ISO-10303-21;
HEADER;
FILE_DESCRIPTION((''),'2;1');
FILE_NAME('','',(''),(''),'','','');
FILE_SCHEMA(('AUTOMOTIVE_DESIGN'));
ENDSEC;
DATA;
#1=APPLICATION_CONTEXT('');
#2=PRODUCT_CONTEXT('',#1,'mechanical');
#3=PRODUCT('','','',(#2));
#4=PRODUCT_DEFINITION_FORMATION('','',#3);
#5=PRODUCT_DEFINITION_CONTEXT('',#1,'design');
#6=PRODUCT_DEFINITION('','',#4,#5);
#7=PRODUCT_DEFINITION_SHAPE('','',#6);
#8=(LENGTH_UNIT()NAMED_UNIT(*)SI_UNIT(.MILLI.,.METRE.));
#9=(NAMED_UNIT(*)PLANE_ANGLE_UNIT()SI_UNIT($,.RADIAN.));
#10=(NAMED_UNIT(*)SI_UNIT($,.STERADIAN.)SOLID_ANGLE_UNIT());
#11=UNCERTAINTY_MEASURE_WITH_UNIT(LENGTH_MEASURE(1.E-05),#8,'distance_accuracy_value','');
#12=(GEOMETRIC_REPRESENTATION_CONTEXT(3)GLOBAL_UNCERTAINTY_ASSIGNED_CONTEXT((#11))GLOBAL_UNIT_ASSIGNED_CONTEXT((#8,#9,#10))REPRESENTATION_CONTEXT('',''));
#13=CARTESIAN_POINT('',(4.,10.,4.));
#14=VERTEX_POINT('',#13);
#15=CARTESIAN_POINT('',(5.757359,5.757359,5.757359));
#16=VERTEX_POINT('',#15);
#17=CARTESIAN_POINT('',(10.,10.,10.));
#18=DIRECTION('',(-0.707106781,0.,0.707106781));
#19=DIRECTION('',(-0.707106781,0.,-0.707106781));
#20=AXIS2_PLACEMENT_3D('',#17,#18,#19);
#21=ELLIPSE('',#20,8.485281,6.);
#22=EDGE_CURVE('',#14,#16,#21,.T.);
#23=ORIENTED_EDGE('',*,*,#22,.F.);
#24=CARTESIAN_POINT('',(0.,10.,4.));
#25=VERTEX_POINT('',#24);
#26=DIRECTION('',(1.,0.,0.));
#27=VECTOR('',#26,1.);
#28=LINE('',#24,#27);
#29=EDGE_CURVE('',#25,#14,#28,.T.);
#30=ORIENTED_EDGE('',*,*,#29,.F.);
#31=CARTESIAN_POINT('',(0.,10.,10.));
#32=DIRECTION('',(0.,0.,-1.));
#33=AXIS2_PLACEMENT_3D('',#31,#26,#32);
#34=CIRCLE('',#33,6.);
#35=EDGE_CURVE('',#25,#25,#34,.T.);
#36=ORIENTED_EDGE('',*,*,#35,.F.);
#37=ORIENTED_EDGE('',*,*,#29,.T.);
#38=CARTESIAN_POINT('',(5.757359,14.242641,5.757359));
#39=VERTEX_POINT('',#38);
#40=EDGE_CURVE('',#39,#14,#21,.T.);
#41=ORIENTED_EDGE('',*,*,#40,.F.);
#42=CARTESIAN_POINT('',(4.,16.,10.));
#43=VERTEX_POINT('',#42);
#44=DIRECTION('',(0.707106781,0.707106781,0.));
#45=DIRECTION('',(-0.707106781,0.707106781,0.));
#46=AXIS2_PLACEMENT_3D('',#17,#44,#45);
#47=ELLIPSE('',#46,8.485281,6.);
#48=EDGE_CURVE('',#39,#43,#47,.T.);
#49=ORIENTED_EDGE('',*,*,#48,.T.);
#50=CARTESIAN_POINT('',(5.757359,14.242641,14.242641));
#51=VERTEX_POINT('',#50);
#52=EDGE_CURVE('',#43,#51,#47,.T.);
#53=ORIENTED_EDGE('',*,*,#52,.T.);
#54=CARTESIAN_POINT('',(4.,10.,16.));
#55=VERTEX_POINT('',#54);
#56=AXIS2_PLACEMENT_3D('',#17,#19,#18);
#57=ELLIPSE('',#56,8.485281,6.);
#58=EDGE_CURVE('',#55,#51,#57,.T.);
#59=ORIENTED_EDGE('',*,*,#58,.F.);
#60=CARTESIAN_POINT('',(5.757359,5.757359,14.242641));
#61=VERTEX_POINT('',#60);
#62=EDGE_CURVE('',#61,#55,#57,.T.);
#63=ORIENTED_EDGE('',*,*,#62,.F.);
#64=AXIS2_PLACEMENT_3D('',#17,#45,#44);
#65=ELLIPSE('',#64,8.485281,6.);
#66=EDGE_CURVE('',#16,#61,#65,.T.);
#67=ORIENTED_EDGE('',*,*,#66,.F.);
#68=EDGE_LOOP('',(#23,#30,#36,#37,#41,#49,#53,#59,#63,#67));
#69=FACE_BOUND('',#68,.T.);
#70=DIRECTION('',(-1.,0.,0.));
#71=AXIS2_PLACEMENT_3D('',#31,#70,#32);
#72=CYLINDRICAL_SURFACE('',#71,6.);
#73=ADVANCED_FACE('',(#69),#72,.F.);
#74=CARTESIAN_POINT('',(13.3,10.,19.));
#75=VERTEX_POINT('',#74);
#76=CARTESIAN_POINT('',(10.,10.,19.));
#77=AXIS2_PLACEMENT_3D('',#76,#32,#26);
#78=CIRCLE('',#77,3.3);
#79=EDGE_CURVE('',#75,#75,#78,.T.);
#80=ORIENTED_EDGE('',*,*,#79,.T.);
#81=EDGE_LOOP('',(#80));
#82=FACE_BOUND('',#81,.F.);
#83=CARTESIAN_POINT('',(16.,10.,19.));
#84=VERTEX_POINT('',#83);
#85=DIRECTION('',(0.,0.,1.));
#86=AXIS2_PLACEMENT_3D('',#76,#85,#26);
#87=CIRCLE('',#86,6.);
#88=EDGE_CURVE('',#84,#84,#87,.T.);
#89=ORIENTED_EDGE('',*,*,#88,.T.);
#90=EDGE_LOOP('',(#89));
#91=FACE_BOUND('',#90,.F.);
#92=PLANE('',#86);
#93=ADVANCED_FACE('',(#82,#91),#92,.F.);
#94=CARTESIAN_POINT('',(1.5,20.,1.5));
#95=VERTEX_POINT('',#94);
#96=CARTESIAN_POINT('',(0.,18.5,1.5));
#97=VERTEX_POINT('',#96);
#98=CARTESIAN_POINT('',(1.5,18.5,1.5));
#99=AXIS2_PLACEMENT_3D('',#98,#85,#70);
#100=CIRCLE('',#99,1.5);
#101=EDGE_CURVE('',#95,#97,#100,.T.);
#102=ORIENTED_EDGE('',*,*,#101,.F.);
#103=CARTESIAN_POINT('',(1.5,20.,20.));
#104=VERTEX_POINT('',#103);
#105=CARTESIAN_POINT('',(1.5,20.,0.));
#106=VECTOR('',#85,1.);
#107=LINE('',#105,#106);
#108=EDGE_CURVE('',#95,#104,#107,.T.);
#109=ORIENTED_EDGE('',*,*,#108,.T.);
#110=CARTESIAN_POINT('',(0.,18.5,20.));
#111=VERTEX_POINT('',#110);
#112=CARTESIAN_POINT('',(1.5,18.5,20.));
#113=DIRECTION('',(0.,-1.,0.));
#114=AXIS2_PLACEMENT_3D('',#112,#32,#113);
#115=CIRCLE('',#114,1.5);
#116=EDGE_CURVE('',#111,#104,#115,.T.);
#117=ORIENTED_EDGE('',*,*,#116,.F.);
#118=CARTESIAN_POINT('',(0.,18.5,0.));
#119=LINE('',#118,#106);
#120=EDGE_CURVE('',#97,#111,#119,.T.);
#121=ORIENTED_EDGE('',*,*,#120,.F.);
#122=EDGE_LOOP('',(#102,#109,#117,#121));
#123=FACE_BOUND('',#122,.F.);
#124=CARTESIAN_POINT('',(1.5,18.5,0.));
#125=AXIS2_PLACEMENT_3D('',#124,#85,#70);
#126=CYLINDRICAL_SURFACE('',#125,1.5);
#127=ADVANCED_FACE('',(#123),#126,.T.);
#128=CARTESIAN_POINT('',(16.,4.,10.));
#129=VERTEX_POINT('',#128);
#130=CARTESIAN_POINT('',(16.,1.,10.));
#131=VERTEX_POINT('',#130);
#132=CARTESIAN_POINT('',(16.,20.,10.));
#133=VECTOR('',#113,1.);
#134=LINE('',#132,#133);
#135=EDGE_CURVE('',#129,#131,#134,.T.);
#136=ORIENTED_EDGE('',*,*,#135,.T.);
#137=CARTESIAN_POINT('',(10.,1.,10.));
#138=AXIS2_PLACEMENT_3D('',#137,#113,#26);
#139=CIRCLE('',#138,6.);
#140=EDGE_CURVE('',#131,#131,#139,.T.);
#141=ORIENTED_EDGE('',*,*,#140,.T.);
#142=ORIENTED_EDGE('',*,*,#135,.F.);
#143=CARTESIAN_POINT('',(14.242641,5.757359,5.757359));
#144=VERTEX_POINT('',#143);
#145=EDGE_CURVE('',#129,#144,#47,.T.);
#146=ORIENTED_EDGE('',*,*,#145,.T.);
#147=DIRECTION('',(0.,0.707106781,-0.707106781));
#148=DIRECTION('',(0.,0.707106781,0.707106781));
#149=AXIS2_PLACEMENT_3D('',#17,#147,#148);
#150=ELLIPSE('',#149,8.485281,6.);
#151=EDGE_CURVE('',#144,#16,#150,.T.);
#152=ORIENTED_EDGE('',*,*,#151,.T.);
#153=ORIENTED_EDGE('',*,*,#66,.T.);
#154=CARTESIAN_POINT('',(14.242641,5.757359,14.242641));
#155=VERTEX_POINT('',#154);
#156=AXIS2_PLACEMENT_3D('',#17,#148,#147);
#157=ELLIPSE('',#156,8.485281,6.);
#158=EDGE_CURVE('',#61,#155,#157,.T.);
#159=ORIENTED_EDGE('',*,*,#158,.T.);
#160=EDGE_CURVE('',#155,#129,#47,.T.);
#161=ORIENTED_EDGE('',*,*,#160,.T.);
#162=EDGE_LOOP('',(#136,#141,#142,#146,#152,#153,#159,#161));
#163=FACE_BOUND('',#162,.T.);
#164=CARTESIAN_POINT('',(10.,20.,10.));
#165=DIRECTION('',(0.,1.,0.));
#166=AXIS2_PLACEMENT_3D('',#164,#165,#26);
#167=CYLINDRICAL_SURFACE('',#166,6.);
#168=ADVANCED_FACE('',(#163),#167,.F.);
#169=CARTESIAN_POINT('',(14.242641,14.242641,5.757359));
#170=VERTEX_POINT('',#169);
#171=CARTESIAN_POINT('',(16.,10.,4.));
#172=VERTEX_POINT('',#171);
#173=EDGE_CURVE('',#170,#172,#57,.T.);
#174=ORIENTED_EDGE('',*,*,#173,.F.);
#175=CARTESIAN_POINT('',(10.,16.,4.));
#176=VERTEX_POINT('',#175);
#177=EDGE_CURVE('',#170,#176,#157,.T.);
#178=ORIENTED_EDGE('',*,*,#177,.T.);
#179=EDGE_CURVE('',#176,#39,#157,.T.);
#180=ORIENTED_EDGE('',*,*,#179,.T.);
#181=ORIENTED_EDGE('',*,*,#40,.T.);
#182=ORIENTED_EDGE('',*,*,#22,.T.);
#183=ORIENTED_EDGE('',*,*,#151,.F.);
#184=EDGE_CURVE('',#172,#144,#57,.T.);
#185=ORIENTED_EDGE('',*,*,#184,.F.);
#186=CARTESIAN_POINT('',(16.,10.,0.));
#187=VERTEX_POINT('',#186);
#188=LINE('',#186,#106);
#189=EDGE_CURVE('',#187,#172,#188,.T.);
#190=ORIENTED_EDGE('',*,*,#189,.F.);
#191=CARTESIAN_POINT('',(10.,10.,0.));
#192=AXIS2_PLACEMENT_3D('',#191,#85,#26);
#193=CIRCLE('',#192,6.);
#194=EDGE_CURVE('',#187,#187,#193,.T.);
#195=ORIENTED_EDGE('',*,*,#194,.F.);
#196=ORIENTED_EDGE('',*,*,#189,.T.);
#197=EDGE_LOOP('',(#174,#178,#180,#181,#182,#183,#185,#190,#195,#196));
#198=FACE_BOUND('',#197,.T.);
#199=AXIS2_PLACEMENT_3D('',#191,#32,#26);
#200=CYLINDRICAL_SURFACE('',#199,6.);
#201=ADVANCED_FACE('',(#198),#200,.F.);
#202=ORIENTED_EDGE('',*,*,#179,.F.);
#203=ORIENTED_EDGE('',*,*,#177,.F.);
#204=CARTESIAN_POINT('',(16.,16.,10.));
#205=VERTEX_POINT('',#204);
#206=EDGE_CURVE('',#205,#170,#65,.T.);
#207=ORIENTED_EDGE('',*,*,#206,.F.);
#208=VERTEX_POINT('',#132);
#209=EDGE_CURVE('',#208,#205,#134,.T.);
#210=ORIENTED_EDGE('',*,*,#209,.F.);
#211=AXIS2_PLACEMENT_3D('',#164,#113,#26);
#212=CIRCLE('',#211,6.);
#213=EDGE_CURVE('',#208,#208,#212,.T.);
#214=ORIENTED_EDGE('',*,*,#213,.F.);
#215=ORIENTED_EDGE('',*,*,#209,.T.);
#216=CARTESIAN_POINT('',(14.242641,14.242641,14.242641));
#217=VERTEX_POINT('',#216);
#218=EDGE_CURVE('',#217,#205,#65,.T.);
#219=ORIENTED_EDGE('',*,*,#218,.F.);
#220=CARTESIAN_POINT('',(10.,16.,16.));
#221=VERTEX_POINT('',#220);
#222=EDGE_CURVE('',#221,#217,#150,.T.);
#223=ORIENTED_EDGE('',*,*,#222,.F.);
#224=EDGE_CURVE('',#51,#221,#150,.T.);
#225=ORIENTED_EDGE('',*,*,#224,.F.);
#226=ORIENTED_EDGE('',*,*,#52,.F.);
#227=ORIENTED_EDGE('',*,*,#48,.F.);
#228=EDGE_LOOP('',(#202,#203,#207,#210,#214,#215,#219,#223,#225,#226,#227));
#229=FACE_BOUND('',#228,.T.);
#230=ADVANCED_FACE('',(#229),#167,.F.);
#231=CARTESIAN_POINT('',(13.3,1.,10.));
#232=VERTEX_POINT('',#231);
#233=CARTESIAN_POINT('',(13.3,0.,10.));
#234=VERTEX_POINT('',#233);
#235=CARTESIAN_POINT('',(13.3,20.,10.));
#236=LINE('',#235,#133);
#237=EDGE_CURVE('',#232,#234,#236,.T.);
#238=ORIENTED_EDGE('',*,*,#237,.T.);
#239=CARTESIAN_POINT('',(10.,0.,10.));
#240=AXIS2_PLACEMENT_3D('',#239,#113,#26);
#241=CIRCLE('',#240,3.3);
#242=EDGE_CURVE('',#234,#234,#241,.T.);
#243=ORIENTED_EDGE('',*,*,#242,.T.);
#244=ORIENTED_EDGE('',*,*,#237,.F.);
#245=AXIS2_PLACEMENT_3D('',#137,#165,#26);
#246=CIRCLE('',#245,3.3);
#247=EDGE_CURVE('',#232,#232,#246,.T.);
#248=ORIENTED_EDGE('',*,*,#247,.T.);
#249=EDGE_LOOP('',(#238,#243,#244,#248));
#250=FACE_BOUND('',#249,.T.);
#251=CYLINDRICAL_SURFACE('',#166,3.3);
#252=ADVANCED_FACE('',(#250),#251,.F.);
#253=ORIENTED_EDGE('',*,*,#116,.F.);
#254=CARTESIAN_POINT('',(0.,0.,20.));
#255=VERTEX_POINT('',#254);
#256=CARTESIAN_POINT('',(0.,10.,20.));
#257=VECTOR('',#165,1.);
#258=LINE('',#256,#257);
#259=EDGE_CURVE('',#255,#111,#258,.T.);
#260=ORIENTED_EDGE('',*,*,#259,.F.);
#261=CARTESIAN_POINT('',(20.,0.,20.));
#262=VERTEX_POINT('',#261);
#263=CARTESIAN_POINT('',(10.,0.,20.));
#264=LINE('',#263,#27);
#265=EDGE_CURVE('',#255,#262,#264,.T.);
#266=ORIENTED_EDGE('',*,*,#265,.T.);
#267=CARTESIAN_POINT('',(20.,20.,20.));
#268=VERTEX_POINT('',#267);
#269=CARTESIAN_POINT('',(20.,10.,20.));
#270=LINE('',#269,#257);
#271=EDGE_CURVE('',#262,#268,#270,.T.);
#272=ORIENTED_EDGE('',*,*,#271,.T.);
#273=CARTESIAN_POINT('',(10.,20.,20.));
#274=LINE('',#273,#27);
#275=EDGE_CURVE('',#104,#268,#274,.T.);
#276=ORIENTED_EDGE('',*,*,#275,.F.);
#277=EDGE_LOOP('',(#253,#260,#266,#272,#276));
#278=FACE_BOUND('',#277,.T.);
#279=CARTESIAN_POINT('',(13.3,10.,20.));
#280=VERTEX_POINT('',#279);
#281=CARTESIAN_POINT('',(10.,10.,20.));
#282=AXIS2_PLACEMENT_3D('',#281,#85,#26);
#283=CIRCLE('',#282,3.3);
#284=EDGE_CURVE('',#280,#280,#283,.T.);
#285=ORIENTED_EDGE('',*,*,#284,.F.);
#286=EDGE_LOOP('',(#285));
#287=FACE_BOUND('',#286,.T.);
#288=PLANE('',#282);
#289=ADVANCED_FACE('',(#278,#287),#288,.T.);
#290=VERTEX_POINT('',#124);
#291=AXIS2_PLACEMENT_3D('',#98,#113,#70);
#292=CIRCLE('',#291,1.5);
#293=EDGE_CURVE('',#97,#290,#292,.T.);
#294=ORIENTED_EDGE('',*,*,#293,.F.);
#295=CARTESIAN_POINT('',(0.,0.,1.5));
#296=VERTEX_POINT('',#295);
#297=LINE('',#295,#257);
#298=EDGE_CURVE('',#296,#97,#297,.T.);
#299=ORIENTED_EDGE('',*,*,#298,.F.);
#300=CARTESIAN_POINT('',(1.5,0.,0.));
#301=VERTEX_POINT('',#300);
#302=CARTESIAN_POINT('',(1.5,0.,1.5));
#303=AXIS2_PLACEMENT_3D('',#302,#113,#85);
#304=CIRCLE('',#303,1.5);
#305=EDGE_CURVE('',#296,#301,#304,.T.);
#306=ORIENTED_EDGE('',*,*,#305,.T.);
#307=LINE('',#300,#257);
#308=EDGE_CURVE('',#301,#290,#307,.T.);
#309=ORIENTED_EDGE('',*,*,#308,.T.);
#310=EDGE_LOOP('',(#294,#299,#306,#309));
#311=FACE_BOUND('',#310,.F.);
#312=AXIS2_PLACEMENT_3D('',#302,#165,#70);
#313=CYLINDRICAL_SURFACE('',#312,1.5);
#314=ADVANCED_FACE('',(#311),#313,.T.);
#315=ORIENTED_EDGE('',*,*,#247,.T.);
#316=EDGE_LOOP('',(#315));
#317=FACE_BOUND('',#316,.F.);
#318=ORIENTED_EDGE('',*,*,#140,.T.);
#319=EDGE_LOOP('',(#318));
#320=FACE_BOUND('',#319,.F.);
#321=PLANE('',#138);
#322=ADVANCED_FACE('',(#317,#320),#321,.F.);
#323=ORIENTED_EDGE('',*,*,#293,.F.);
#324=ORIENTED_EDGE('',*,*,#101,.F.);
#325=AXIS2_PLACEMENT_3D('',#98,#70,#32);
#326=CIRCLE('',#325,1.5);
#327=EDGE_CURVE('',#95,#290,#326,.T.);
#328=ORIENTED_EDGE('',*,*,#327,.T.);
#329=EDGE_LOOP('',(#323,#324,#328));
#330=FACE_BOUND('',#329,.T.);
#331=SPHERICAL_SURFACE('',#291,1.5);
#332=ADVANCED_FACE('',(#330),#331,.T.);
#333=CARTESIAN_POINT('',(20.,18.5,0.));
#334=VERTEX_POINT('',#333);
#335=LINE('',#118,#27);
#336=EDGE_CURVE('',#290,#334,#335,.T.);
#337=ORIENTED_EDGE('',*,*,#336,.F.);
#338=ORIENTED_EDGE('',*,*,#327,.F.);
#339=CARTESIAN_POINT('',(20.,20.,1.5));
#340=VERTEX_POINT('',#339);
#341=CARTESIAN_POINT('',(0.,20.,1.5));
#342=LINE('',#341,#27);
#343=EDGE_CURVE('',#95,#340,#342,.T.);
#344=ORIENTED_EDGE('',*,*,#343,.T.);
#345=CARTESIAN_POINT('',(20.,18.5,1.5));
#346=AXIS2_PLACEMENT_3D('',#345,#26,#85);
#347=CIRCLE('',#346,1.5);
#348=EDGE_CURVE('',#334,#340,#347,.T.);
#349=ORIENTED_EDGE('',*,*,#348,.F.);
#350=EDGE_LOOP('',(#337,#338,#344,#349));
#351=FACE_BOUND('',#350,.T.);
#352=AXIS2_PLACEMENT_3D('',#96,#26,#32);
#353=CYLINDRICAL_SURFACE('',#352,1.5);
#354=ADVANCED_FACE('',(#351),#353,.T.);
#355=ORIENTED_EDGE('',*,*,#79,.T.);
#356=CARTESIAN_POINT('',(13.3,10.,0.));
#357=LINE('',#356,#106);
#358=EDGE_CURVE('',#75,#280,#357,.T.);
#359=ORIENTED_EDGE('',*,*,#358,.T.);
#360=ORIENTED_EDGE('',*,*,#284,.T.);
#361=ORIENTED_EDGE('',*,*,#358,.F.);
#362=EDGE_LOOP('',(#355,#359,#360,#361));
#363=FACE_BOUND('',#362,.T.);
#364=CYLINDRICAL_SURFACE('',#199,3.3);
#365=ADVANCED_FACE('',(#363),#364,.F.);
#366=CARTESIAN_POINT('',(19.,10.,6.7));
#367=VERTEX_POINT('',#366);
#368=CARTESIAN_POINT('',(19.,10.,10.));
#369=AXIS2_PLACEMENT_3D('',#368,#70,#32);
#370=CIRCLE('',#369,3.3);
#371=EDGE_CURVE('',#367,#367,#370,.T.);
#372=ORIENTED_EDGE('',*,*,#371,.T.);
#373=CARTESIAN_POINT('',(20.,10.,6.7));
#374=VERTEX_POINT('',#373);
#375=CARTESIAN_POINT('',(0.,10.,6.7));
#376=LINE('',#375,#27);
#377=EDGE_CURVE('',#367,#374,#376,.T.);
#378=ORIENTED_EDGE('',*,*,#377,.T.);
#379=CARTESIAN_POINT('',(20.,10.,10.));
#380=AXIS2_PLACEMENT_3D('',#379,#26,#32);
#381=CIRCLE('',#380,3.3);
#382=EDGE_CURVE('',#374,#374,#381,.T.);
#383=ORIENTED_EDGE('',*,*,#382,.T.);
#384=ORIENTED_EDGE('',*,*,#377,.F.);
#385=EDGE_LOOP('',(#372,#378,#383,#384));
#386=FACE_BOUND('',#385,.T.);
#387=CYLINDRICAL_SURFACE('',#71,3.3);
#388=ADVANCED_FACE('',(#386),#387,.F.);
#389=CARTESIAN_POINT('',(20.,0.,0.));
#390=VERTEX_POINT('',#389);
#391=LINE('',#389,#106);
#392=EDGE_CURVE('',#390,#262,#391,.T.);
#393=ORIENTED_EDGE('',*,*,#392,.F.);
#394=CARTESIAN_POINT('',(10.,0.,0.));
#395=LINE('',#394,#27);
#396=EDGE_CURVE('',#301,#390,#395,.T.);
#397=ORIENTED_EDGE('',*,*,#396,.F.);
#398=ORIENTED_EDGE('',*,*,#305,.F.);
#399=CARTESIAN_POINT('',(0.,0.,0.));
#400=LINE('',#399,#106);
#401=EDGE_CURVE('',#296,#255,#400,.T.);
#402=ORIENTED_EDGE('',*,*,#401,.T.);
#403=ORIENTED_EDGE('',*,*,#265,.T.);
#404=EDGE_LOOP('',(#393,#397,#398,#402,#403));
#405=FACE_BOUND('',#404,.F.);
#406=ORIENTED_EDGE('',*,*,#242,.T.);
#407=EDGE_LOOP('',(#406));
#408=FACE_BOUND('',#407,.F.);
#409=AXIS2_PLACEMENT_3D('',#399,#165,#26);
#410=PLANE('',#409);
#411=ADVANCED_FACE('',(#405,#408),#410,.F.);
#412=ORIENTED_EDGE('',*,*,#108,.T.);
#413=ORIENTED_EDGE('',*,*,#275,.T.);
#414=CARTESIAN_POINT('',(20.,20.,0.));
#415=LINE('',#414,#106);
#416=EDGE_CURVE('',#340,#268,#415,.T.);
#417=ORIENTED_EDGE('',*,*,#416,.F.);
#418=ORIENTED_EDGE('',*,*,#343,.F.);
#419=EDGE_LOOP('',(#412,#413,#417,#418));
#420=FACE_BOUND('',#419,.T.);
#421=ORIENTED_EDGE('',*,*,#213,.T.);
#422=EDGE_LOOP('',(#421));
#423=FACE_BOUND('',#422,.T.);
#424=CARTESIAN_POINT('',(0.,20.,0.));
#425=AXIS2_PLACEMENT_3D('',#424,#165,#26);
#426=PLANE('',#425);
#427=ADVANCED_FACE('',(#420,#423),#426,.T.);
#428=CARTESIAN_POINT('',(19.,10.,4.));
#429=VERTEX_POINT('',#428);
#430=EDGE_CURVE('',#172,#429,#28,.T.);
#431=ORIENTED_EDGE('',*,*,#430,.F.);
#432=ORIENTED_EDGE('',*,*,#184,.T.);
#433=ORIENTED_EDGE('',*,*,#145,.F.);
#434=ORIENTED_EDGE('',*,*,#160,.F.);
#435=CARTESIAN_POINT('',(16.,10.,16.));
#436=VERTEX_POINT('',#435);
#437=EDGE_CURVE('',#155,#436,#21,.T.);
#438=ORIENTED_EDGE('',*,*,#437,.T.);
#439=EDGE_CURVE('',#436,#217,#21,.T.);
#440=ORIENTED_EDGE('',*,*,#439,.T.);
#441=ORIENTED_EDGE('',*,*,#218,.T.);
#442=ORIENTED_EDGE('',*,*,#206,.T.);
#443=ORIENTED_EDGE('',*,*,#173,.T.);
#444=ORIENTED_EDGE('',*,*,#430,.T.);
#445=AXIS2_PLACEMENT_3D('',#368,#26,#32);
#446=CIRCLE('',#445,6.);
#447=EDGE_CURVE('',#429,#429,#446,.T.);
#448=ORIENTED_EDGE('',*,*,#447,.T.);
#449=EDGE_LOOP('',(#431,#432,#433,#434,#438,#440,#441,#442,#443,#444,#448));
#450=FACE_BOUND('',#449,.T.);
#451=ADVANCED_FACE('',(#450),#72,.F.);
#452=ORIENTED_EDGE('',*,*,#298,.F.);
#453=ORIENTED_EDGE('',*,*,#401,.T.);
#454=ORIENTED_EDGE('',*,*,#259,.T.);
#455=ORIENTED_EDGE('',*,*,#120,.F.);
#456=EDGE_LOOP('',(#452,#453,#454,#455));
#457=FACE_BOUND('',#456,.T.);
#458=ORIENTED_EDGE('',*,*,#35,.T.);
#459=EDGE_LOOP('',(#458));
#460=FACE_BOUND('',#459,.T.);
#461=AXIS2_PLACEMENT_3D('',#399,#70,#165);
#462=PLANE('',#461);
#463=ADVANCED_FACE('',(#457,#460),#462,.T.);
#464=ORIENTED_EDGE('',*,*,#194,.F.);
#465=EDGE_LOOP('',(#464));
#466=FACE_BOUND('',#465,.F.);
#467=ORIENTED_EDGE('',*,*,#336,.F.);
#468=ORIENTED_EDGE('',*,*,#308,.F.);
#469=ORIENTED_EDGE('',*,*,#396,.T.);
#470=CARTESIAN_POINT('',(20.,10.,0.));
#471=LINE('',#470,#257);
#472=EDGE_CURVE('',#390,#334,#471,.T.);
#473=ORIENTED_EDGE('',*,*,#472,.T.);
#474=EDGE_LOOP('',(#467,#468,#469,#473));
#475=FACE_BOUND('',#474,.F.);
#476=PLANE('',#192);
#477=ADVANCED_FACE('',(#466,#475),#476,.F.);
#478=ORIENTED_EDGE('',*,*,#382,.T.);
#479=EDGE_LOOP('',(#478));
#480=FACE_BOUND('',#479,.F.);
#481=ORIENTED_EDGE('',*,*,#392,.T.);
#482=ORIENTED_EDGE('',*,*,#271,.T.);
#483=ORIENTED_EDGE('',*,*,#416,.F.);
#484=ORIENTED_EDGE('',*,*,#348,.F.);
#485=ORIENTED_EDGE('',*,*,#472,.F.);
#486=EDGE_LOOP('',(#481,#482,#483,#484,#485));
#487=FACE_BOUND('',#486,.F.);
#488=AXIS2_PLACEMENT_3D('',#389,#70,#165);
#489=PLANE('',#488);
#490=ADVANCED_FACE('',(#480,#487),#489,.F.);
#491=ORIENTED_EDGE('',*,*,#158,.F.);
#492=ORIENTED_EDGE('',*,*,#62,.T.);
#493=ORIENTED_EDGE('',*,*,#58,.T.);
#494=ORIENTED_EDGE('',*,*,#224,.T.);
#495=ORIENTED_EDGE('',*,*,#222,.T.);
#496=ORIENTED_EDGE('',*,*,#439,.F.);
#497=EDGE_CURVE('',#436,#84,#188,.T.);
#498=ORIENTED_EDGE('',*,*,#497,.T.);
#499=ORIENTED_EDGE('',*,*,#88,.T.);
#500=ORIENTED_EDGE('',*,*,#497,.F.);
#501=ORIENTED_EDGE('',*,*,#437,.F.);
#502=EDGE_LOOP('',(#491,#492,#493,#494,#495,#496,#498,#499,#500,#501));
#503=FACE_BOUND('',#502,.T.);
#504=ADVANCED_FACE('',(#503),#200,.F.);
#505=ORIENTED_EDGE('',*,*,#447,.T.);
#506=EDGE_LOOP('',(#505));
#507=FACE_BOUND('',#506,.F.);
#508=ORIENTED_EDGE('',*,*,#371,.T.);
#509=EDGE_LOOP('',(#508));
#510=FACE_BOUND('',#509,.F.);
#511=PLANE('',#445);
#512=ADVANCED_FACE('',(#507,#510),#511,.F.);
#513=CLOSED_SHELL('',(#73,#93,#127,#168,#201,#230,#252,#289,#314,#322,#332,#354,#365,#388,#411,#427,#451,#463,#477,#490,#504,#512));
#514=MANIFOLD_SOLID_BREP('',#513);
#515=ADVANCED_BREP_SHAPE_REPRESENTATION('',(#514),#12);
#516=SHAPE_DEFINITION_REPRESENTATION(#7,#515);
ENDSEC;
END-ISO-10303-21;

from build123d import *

# Parameters (mm, degrees)
CYLINDER_R        = 3.3
CYLINDER_DEPTH    = 20
CYLINDER001_R     = 3.3
CYLINDER001_DEPTH = 20
CYLINDER002_R     = 3.3
CYLINDER002_DEPTH = 20
CYLINDER003_R     = 6
CYLINDER003_DEPTH = 19
CYLINDER004_R     = 6
CYLINDER004_DEPTH = 19
CYLINDER005_R     = 6
CYLINDER005_DEPTH = 19
BOX_W             = 20
BOX_H             = 20
BOX_DEPTH         = 20
FILLET_R          = 1.5


with BuildPart() as cylinder:
    # Cylinder → Cylinder (new body)
    with BuildSketch(Plane(origin=(10, 10, 0), x_dir=(1, 0, 0), z_dir=(0, 0, 1))):
        Circle(CYLINDER_R)
    extrude(amount=CYLINDER_DEPTH)


with BuildPart() as cylinder001:
    # Cylinder001 → Cylinder001 (new body)
    with BuildSketch(Plane(origin=(10, 20, 10), x_dir=(1, 0, 0), z_dir=(0, -1, 0))):
        Circle(CYLINDER001_R)
    extrude(amount=CYLINDER001_DEPTH)


with BuildPart() as cylinder002:
    # Cylinder002 → Cylinder002 (new body)
    with BuildSketch(Plane(origin=(0, 10, 10), x_dir=(0, 0, -1), z_dir=(1, 0, 0))):
        Circle(CYLINDER002_R)
    extrude(amount=CYLINDER002_DEPTH)


with BuildPart() as cylinder003:
    # Cylinder003 → Cylinder003 (new body)
    with BuildSketch(Plane(origin=(0, 10, 10), x_dir=(0, 0, -1), z_dir=(1, 0, 0))):
        Circle(CYLINDER003_R)
    extrude(amount=CYLINDER003_DEPTH)


with BuildPart() as cylinder004:
    # Cylinder004 → Cylinder004 (new body)
    with BuildSketch(Plane(origin=(10, 10, 0), x_dir=(1, 0, 0), z_dir=(0, 0, 1))):
        Circle(CYLINDER004_R)
    extrude(amount=CYLINDER004_DEPTH)


with BuildPart() as fusion:
    # Cylinder005 → Cylinder005 (new body)
    with BuildSketch(Plane(origin=(10, 20, 10), x_dir=(1, 0, 0), z_dir=(0, -1, 0))):
        Circle(CYLINDER005_R)
    extrude(amount=CYLINDER005_DEPTH)

    # Fusion: union Cylinder, Cylinder001, Cylinder002, Cylinder003, Cylinder004
    add(cylinder.part)
    add(cylinder001.part)
    add(cylinder002.part)
    add(cylinder003.part)
    add(cylinder004.part)


with BuildPart() as f_20x20connectorcube:
    # Box → Box (new body)
    with BuildSketch(Plane.XY):
        with Locations((10, 10)):
            Rectangle(BOX_W, BOX_H)
    extrude(amount=BOX_DEPTH)

    # Cut: cut Fusion
    add(fusion.part, mode=Mode.SUBTRACT)

    # Fillet
    fillet_edges = [f_20x20connectorcube.edges().sort_by_distance(p)[0] for p in [
        (0, 10, 0),
        (0, 20, 10),
        (10, 20, 0),
    ]]
    fillet(fillet_edges, radius=FILLET_R)


solid = f_20x20connectorcube.part
